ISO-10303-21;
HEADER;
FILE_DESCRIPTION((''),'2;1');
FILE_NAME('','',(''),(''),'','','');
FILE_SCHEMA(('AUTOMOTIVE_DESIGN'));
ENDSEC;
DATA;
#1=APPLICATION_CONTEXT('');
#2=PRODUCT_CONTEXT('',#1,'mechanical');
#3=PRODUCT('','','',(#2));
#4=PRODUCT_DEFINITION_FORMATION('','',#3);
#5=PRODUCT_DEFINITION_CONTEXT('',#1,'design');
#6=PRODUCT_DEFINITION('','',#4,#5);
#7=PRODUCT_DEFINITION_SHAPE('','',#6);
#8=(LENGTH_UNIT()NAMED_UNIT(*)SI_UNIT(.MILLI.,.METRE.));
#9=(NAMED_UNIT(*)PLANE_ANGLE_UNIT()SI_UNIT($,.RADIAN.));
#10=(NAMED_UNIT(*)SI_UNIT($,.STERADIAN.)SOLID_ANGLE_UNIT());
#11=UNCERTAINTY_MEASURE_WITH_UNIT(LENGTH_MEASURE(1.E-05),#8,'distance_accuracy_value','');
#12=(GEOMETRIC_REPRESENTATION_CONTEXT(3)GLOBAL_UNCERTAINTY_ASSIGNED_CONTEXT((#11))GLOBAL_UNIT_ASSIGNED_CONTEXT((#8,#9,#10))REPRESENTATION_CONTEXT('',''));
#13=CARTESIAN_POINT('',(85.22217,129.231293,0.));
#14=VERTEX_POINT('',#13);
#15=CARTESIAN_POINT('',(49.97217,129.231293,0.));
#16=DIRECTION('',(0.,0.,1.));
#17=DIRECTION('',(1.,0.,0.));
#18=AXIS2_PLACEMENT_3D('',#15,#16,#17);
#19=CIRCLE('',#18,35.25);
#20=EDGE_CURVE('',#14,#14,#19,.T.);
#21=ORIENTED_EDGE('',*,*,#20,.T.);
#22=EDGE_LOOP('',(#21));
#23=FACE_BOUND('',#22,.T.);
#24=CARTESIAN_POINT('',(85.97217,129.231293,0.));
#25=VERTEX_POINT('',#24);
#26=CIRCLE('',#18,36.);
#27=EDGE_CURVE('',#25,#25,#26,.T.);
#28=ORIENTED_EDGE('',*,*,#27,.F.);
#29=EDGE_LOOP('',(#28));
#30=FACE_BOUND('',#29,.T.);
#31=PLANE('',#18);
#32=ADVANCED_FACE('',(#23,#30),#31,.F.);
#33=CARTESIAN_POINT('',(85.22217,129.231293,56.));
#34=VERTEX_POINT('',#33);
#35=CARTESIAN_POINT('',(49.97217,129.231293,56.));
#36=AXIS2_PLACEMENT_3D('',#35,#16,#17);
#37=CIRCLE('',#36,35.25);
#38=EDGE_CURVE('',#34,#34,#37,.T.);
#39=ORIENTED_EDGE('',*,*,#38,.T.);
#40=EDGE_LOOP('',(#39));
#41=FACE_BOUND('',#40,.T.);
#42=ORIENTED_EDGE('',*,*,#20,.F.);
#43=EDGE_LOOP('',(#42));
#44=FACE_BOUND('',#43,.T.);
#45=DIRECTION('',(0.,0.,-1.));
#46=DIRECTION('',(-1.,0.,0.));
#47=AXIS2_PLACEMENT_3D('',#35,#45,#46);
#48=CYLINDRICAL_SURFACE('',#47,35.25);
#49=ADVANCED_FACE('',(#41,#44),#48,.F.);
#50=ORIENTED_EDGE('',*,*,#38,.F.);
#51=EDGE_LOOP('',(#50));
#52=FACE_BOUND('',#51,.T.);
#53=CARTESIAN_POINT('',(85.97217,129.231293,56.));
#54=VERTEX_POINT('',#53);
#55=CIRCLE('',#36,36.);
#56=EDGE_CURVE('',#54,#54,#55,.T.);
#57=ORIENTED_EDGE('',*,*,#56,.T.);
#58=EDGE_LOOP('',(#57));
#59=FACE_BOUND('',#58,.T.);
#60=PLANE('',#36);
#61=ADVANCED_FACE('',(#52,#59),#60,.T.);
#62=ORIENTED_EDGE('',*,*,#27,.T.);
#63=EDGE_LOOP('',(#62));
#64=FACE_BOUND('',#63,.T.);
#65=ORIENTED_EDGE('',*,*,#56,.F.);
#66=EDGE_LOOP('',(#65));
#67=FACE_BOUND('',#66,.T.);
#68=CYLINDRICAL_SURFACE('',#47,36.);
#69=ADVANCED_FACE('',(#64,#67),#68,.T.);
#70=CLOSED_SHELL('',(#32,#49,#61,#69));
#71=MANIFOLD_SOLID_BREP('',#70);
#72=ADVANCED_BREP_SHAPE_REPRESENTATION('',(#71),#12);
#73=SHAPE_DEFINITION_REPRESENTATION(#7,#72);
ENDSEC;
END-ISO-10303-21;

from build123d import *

# Parameters (mm, degrees)
SKETCH4_R           = 36
SKETCH4_R_2         = 35.25
BOSS_EXTRUDE2_DEPTH = 56


with BuildPart() as part:
    # Sketch4 → Boss-Extrude2 (new body)
    with BuildSketch(Plane(origin=(0, 0, 0), x_dir=(-1, 0, 0), z_dir=(0, 0, 1))):
        with Locations(Location((-49.972170182, -129.231293468, 0), (0, 0, 180))):
            Circle(SKETCH4_R)
        with Locations(Location((-49.972170182, -129.231293468, 0), (0, 0, 180))):
            Circle(SKETCH4_R_2, mode=Mode.SUBTRACT)
    extrude(amount=BOSS_EXTRUDE2_DEPTH)


solid = part.part
